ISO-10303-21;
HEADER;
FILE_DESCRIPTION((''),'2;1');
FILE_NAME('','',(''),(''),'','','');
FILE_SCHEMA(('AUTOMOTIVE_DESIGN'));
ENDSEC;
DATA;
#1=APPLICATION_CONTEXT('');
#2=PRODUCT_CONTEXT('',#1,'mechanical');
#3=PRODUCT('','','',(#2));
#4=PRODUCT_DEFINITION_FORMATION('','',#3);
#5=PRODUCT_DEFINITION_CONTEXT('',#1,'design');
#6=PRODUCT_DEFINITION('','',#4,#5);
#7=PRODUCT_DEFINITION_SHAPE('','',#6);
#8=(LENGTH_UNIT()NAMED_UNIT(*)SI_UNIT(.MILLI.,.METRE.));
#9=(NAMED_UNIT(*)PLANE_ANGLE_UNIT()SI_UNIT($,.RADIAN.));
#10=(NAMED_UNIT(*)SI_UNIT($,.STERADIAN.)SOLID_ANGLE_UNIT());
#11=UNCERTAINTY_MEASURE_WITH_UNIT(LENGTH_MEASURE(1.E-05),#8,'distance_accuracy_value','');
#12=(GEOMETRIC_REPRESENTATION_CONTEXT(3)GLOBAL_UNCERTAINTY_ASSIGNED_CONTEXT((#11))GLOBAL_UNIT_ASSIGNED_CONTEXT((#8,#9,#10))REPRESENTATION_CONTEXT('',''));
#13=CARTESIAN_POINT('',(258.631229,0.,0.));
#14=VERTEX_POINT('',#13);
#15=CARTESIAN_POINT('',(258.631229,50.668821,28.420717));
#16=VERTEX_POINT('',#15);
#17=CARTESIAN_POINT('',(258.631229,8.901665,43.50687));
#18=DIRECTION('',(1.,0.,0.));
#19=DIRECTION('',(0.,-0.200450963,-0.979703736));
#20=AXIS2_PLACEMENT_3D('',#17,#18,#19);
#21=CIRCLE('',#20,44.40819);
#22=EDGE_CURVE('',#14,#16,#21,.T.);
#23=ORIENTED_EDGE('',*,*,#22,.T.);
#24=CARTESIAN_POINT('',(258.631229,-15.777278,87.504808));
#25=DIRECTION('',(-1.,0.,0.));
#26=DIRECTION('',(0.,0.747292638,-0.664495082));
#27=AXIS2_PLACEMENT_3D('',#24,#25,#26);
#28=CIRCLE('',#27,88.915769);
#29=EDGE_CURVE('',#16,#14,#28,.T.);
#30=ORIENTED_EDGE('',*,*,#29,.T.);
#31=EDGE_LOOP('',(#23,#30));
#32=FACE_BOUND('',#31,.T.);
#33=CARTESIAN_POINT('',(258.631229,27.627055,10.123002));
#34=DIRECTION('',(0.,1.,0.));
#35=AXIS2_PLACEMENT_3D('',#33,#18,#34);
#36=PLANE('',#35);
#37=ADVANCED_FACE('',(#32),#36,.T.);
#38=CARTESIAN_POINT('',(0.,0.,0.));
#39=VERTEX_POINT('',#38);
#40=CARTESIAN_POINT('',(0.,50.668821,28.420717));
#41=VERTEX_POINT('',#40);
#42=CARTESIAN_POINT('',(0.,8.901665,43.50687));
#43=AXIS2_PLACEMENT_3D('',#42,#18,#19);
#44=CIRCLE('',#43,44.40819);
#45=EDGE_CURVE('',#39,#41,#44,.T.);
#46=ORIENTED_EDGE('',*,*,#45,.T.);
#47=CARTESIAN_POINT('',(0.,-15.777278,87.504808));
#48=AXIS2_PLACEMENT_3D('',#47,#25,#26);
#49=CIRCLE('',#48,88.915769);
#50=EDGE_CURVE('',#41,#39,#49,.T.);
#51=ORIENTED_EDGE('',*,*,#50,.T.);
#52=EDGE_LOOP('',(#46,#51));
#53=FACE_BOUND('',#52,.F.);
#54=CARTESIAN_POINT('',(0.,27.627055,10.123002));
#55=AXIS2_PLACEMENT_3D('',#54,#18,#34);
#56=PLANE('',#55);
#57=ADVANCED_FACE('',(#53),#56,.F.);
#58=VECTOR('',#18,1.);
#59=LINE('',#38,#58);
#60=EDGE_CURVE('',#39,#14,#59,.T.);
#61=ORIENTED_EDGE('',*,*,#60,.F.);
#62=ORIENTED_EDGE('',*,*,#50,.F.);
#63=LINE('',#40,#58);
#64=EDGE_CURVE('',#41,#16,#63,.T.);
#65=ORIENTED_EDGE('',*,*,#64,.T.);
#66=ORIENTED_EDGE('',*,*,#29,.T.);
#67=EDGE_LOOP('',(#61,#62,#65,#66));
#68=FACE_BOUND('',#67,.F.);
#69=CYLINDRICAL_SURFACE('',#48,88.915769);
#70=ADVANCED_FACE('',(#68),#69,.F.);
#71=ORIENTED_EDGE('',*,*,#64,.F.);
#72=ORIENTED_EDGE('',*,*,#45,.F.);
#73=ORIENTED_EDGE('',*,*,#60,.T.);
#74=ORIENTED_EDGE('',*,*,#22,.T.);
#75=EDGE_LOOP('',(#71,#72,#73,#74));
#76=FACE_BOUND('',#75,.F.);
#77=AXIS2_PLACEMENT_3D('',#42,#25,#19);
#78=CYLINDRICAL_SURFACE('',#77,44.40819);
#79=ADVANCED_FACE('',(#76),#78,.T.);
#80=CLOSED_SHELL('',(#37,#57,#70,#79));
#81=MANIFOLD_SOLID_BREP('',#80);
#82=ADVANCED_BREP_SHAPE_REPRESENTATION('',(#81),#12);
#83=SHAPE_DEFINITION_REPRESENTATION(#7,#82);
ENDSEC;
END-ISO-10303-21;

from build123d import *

# Parameters (mm, degrees)
F1_DEPTH = 258.631229


with BuildPart() as f1:
    # F0 (on Right) → F1 (new body)
    with BuildSketch(Plane.YZ):
        with BuildLine():
            ThreePointArc((50.668821, 28.420717), (27.721058, 9.955413), (0, 0))
            ThreePointArc((0, 0), (30.626522, 4.775514), (50.668821, 28.420717))
        make_face()
    extrude(amount=F1_DEPTH)


solid = f1.part
